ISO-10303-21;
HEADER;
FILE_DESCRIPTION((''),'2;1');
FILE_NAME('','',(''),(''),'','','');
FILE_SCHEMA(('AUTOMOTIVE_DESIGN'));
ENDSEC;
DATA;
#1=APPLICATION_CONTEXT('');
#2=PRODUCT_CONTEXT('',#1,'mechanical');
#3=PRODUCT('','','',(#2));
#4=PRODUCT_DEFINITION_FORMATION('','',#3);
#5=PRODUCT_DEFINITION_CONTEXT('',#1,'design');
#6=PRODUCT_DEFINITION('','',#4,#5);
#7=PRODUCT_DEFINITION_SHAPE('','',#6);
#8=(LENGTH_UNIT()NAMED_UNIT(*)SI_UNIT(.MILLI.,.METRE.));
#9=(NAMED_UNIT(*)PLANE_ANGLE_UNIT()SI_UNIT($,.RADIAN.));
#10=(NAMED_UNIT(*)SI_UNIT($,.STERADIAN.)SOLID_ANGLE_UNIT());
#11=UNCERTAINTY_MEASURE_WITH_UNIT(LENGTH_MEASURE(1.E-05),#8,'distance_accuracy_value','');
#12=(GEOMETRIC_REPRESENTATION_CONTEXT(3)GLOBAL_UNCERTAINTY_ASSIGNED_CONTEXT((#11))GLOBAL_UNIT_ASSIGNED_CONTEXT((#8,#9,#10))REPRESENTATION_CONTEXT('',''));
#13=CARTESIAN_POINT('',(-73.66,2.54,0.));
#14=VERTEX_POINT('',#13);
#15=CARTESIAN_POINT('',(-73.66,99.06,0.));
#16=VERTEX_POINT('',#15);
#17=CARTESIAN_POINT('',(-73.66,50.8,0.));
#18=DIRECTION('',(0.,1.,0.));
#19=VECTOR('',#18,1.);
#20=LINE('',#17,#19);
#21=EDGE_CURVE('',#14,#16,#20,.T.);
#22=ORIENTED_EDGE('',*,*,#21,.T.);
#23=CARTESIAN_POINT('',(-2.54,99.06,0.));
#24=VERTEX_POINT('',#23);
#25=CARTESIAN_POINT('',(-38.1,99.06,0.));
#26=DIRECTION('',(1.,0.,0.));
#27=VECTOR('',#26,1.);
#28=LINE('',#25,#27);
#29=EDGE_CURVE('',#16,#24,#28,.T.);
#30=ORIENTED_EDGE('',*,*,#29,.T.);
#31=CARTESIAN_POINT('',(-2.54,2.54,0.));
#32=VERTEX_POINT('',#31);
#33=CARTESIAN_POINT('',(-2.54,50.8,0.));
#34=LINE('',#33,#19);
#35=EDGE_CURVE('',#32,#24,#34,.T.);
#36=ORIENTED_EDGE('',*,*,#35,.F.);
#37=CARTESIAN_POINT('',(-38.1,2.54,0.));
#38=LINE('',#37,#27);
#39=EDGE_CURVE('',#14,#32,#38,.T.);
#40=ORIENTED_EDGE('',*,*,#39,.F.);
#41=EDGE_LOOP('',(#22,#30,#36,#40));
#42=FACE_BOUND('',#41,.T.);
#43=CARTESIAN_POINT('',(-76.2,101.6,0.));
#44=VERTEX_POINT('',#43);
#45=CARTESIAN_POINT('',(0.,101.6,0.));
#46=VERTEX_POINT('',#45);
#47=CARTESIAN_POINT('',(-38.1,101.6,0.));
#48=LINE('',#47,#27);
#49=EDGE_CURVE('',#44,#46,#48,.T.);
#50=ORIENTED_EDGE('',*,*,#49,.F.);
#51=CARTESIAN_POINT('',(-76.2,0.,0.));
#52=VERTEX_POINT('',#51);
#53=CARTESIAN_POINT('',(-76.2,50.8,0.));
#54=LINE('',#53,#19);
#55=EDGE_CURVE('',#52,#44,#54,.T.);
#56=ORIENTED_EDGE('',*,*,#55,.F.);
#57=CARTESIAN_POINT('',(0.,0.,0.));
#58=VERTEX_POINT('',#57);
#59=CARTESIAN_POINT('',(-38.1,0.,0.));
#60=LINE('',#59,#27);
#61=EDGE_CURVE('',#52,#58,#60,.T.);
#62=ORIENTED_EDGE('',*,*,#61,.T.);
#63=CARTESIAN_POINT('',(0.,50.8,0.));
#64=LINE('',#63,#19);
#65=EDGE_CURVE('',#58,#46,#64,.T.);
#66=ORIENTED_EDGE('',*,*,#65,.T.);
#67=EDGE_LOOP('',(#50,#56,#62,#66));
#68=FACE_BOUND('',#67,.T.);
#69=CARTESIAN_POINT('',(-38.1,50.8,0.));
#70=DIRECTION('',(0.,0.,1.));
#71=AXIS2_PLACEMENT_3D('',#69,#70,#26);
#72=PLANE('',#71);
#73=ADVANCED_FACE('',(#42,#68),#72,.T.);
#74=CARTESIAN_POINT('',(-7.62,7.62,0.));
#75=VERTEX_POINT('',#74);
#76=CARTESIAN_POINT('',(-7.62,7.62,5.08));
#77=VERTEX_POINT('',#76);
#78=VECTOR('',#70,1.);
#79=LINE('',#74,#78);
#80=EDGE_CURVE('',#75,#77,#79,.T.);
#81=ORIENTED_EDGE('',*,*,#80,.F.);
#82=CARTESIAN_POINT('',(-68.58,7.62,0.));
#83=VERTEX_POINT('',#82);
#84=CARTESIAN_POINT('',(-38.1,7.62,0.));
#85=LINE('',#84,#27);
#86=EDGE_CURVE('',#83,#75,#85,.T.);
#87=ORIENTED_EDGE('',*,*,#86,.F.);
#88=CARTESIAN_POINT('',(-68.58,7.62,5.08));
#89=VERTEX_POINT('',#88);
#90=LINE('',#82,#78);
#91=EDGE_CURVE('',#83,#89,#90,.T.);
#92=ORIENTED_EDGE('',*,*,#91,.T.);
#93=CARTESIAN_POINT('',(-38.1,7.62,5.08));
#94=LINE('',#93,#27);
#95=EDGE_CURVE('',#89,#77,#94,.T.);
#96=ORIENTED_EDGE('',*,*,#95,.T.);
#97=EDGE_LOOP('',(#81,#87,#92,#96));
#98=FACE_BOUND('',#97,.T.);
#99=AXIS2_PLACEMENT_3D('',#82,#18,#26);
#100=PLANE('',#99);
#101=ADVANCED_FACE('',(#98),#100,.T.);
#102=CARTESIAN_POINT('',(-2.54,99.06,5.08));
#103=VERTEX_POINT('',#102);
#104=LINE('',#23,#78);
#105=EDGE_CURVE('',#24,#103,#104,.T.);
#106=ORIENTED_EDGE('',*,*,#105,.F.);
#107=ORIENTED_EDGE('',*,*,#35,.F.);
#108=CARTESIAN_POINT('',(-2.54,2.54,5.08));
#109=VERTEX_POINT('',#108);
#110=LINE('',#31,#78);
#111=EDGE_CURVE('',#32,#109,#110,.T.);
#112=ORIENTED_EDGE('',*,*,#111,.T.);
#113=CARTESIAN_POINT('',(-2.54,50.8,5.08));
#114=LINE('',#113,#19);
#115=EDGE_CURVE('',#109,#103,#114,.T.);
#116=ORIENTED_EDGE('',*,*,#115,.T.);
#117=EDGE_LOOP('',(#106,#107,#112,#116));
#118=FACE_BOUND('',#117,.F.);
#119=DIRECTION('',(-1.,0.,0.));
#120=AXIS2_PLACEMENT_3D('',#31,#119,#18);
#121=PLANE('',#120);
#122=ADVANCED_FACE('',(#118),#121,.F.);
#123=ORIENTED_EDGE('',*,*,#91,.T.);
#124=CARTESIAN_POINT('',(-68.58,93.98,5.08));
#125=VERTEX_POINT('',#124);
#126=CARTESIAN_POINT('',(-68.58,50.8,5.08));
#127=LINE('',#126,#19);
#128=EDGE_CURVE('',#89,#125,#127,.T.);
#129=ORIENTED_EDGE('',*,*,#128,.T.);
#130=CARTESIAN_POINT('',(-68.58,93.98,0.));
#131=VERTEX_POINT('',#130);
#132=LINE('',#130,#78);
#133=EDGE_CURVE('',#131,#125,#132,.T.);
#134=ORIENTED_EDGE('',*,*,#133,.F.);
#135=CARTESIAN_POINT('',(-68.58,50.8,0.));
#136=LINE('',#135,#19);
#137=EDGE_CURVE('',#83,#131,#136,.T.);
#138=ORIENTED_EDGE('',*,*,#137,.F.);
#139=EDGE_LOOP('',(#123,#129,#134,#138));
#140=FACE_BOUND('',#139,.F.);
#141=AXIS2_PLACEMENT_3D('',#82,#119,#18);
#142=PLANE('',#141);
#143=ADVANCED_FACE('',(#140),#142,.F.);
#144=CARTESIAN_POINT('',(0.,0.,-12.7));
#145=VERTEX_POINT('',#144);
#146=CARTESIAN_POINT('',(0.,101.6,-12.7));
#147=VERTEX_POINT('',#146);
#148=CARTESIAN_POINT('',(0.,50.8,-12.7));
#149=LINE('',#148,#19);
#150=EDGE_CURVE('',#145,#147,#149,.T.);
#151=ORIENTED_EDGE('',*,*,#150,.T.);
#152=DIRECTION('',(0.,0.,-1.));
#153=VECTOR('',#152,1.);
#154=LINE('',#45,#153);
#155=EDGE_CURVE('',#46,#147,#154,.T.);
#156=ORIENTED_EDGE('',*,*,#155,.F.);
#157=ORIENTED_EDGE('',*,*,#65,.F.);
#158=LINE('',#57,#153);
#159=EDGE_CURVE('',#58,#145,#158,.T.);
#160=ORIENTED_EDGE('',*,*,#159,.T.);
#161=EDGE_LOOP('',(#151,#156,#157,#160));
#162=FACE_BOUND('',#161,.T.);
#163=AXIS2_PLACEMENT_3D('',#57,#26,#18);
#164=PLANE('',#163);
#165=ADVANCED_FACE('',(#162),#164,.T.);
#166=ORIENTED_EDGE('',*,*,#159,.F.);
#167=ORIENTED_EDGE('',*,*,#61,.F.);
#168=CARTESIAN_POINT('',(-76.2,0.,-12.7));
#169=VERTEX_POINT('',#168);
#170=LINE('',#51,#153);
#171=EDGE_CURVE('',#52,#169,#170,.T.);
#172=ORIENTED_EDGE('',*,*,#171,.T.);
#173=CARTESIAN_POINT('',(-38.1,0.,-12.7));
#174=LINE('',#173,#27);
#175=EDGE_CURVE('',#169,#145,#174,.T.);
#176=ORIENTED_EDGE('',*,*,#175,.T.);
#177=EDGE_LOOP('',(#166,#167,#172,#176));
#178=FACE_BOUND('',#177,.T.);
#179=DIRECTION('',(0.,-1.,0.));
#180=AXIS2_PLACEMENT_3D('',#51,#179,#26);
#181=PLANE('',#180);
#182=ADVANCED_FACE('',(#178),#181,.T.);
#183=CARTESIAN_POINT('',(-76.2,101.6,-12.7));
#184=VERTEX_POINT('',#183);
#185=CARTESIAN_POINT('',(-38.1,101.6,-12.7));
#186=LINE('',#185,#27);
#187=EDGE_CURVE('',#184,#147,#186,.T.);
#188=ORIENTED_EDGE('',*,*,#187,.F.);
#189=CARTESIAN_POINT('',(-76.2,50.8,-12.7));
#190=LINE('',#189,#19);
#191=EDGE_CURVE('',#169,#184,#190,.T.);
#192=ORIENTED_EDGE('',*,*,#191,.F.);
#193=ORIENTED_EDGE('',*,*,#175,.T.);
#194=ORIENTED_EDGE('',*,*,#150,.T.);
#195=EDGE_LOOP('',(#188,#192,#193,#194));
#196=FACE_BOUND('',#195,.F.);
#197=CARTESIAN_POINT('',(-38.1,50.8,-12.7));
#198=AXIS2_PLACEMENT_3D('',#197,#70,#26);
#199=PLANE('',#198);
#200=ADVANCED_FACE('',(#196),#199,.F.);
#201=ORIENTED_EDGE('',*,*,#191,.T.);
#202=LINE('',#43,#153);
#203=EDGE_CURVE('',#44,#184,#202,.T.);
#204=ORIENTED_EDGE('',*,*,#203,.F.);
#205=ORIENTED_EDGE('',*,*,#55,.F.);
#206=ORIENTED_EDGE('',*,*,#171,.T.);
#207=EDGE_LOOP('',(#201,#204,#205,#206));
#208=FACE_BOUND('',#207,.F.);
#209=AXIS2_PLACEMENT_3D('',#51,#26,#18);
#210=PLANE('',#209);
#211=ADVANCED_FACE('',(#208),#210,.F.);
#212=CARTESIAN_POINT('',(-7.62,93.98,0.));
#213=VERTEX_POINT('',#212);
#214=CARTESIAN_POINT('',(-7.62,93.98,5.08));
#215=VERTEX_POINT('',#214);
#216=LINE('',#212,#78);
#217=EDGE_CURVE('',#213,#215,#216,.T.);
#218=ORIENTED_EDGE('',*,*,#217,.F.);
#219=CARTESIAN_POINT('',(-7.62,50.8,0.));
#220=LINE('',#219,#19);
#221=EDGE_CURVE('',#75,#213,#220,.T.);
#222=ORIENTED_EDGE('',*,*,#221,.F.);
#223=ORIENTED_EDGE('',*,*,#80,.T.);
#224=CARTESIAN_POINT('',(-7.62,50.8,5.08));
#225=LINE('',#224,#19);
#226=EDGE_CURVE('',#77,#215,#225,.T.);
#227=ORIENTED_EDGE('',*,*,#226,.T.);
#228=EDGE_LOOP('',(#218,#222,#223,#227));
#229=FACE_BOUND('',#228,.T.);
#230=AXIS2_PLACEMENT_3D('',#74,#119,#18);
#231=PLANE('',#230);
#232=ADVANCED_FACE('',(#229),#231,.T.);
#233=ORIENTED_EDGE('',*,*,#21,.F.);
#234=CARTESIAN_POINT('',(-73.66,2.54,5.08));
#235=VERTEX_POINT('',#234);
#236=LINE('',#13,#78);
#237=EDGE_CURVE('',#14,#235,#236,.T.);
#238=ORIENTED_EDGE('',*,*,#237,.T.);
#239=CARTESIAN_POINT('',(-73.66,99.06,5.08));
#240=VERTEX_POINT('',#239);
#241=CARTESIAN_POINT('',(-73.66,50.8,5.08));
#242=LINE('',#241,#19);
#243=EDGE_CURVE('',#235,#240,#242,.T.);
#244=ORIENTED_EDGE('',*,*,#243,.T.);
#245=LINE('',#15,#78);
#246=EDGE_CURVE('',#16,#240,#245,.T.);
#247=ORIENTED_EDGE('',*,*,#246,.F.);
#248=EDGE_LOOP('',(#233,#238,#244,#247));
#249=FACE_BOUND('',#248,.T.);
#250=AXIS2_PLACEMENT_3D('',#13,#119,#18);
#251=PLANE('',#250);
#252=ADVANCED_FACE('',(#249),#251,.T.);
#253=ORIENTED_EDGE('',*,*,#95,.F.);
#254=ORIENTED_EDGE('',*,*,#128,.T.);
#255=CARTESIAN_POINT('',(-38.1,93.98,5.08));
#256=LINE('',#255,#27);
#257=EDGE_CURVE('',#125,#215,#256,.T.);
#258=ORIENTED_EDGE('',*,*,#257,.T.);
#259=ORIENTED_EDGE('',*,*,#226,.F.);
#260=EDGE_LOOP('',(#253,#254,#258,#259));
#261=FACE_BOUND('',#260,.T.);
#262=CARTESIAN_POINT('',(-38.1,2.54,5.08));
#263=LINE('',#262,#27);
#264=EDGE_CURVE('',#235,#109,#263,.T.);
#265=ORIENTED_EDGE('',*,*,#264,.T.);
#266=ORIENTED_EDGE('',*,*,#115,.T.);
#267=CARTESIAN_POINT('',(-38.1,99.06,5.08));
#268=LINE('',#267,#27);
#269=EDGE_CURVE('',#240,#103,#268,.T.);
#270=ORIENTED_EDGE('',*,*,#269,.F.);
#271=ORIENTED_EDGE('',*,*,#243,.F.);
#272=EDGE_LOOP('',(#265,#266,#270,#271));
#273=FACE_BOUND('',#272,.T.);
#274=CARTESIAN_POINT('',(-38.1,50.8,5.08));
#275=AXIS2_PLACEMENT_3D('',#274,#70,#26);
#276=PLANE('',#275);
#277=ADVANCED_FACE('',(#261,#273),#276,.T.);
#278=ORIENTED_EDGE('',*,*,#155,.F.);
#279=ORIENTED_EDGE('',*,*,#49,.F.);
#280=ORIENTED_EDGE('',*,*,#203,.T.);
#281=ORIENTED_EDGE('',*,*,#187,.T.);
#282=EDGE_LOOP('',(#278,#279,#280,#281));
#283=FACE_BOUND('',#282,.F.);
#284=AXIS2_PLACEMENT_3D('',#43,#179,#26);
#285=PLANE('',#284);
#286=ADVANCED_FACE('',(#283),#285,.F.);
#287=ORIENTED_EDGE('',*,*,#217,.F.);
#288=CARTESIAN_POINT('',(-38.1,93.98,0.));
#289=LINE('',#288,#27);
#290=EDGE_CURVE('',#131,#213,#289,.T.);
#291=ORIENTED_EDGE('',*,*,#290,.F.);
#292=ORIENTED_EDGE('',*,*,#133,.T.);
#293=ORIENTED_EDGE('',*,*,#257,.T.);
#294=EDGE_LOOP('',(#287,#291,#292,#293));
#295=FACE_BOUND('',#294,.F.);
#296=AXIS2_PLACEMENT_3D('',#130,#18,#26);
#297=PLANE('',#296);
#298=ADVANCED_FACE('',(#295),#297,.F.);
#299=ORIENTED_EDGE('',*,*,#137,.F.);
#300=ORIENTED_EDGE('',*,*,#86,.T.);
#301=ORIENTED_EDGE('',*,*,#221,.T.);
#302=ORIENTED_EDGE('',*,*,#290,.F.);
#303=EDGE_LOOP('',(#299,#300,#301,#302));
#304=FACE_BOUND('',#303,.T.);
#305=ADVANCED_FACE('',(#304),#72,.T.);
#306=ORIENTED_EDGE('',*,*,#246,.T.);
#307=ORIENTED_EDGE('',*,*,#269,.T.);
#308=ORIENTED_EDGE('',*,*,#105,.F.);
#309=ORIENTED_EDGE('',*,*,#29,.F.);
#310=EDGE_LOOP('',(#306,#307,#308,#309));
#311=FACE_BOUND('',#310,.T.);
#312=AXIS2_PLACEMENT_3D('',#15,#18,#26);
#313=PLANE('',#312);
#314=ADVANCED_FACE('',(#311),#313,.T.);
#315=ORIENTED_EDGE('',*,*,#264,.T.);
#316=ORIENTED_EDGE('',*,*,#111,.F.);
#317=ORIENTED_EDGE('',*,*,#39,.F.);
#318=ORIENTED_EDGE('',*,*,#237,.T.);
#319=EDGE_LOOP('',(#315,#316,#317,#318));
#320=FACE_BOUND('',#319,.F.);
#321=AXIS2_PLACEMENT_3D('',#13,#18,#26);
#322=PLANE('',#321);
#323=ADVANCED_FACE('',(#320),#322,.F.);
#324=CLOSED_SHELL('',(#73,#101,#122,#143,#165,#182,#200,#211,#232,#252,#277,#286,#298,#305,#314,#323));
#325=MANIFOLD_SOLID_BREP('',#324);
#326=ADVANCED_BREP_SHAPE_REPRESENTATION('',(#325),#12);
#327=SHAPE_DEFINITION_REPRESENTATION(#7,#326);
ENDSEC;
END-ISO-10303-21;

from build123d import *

# Parameters (mm, degrees)
F0_W     = 76.2
F0_H     = 101.6
F1_DEPTH = 12.7
F2_W     = 71.12
F2_H     = 96.52
F2_W_2   = 60.96
F2_H_2   = 86.36
F3_DEPTH = 5.08


with BuildPart() as f1:
    # F0 (on Top) → F1 (new body)
    with BuildSketch(Plane.XY):
        with Locations((-38.1, 50.8)):
            Rectangle(F0_W, F0_H)
    extrude(amount=-F1_DEPTH)

    # F2 (on face) → F3 (join)
    with BuildSketch(Plane.XY):
        with Locations((-38.1, 50.8)):
            Rectangle(F2_W, F2_H)
        with Locations((-38.1, 50.8)):
            Rectangle(F2_W_2, F2_H_2, mode=Mode.SUBTRACT)
    extrude(amount=F3_DEPTH)


solid = f1.part
